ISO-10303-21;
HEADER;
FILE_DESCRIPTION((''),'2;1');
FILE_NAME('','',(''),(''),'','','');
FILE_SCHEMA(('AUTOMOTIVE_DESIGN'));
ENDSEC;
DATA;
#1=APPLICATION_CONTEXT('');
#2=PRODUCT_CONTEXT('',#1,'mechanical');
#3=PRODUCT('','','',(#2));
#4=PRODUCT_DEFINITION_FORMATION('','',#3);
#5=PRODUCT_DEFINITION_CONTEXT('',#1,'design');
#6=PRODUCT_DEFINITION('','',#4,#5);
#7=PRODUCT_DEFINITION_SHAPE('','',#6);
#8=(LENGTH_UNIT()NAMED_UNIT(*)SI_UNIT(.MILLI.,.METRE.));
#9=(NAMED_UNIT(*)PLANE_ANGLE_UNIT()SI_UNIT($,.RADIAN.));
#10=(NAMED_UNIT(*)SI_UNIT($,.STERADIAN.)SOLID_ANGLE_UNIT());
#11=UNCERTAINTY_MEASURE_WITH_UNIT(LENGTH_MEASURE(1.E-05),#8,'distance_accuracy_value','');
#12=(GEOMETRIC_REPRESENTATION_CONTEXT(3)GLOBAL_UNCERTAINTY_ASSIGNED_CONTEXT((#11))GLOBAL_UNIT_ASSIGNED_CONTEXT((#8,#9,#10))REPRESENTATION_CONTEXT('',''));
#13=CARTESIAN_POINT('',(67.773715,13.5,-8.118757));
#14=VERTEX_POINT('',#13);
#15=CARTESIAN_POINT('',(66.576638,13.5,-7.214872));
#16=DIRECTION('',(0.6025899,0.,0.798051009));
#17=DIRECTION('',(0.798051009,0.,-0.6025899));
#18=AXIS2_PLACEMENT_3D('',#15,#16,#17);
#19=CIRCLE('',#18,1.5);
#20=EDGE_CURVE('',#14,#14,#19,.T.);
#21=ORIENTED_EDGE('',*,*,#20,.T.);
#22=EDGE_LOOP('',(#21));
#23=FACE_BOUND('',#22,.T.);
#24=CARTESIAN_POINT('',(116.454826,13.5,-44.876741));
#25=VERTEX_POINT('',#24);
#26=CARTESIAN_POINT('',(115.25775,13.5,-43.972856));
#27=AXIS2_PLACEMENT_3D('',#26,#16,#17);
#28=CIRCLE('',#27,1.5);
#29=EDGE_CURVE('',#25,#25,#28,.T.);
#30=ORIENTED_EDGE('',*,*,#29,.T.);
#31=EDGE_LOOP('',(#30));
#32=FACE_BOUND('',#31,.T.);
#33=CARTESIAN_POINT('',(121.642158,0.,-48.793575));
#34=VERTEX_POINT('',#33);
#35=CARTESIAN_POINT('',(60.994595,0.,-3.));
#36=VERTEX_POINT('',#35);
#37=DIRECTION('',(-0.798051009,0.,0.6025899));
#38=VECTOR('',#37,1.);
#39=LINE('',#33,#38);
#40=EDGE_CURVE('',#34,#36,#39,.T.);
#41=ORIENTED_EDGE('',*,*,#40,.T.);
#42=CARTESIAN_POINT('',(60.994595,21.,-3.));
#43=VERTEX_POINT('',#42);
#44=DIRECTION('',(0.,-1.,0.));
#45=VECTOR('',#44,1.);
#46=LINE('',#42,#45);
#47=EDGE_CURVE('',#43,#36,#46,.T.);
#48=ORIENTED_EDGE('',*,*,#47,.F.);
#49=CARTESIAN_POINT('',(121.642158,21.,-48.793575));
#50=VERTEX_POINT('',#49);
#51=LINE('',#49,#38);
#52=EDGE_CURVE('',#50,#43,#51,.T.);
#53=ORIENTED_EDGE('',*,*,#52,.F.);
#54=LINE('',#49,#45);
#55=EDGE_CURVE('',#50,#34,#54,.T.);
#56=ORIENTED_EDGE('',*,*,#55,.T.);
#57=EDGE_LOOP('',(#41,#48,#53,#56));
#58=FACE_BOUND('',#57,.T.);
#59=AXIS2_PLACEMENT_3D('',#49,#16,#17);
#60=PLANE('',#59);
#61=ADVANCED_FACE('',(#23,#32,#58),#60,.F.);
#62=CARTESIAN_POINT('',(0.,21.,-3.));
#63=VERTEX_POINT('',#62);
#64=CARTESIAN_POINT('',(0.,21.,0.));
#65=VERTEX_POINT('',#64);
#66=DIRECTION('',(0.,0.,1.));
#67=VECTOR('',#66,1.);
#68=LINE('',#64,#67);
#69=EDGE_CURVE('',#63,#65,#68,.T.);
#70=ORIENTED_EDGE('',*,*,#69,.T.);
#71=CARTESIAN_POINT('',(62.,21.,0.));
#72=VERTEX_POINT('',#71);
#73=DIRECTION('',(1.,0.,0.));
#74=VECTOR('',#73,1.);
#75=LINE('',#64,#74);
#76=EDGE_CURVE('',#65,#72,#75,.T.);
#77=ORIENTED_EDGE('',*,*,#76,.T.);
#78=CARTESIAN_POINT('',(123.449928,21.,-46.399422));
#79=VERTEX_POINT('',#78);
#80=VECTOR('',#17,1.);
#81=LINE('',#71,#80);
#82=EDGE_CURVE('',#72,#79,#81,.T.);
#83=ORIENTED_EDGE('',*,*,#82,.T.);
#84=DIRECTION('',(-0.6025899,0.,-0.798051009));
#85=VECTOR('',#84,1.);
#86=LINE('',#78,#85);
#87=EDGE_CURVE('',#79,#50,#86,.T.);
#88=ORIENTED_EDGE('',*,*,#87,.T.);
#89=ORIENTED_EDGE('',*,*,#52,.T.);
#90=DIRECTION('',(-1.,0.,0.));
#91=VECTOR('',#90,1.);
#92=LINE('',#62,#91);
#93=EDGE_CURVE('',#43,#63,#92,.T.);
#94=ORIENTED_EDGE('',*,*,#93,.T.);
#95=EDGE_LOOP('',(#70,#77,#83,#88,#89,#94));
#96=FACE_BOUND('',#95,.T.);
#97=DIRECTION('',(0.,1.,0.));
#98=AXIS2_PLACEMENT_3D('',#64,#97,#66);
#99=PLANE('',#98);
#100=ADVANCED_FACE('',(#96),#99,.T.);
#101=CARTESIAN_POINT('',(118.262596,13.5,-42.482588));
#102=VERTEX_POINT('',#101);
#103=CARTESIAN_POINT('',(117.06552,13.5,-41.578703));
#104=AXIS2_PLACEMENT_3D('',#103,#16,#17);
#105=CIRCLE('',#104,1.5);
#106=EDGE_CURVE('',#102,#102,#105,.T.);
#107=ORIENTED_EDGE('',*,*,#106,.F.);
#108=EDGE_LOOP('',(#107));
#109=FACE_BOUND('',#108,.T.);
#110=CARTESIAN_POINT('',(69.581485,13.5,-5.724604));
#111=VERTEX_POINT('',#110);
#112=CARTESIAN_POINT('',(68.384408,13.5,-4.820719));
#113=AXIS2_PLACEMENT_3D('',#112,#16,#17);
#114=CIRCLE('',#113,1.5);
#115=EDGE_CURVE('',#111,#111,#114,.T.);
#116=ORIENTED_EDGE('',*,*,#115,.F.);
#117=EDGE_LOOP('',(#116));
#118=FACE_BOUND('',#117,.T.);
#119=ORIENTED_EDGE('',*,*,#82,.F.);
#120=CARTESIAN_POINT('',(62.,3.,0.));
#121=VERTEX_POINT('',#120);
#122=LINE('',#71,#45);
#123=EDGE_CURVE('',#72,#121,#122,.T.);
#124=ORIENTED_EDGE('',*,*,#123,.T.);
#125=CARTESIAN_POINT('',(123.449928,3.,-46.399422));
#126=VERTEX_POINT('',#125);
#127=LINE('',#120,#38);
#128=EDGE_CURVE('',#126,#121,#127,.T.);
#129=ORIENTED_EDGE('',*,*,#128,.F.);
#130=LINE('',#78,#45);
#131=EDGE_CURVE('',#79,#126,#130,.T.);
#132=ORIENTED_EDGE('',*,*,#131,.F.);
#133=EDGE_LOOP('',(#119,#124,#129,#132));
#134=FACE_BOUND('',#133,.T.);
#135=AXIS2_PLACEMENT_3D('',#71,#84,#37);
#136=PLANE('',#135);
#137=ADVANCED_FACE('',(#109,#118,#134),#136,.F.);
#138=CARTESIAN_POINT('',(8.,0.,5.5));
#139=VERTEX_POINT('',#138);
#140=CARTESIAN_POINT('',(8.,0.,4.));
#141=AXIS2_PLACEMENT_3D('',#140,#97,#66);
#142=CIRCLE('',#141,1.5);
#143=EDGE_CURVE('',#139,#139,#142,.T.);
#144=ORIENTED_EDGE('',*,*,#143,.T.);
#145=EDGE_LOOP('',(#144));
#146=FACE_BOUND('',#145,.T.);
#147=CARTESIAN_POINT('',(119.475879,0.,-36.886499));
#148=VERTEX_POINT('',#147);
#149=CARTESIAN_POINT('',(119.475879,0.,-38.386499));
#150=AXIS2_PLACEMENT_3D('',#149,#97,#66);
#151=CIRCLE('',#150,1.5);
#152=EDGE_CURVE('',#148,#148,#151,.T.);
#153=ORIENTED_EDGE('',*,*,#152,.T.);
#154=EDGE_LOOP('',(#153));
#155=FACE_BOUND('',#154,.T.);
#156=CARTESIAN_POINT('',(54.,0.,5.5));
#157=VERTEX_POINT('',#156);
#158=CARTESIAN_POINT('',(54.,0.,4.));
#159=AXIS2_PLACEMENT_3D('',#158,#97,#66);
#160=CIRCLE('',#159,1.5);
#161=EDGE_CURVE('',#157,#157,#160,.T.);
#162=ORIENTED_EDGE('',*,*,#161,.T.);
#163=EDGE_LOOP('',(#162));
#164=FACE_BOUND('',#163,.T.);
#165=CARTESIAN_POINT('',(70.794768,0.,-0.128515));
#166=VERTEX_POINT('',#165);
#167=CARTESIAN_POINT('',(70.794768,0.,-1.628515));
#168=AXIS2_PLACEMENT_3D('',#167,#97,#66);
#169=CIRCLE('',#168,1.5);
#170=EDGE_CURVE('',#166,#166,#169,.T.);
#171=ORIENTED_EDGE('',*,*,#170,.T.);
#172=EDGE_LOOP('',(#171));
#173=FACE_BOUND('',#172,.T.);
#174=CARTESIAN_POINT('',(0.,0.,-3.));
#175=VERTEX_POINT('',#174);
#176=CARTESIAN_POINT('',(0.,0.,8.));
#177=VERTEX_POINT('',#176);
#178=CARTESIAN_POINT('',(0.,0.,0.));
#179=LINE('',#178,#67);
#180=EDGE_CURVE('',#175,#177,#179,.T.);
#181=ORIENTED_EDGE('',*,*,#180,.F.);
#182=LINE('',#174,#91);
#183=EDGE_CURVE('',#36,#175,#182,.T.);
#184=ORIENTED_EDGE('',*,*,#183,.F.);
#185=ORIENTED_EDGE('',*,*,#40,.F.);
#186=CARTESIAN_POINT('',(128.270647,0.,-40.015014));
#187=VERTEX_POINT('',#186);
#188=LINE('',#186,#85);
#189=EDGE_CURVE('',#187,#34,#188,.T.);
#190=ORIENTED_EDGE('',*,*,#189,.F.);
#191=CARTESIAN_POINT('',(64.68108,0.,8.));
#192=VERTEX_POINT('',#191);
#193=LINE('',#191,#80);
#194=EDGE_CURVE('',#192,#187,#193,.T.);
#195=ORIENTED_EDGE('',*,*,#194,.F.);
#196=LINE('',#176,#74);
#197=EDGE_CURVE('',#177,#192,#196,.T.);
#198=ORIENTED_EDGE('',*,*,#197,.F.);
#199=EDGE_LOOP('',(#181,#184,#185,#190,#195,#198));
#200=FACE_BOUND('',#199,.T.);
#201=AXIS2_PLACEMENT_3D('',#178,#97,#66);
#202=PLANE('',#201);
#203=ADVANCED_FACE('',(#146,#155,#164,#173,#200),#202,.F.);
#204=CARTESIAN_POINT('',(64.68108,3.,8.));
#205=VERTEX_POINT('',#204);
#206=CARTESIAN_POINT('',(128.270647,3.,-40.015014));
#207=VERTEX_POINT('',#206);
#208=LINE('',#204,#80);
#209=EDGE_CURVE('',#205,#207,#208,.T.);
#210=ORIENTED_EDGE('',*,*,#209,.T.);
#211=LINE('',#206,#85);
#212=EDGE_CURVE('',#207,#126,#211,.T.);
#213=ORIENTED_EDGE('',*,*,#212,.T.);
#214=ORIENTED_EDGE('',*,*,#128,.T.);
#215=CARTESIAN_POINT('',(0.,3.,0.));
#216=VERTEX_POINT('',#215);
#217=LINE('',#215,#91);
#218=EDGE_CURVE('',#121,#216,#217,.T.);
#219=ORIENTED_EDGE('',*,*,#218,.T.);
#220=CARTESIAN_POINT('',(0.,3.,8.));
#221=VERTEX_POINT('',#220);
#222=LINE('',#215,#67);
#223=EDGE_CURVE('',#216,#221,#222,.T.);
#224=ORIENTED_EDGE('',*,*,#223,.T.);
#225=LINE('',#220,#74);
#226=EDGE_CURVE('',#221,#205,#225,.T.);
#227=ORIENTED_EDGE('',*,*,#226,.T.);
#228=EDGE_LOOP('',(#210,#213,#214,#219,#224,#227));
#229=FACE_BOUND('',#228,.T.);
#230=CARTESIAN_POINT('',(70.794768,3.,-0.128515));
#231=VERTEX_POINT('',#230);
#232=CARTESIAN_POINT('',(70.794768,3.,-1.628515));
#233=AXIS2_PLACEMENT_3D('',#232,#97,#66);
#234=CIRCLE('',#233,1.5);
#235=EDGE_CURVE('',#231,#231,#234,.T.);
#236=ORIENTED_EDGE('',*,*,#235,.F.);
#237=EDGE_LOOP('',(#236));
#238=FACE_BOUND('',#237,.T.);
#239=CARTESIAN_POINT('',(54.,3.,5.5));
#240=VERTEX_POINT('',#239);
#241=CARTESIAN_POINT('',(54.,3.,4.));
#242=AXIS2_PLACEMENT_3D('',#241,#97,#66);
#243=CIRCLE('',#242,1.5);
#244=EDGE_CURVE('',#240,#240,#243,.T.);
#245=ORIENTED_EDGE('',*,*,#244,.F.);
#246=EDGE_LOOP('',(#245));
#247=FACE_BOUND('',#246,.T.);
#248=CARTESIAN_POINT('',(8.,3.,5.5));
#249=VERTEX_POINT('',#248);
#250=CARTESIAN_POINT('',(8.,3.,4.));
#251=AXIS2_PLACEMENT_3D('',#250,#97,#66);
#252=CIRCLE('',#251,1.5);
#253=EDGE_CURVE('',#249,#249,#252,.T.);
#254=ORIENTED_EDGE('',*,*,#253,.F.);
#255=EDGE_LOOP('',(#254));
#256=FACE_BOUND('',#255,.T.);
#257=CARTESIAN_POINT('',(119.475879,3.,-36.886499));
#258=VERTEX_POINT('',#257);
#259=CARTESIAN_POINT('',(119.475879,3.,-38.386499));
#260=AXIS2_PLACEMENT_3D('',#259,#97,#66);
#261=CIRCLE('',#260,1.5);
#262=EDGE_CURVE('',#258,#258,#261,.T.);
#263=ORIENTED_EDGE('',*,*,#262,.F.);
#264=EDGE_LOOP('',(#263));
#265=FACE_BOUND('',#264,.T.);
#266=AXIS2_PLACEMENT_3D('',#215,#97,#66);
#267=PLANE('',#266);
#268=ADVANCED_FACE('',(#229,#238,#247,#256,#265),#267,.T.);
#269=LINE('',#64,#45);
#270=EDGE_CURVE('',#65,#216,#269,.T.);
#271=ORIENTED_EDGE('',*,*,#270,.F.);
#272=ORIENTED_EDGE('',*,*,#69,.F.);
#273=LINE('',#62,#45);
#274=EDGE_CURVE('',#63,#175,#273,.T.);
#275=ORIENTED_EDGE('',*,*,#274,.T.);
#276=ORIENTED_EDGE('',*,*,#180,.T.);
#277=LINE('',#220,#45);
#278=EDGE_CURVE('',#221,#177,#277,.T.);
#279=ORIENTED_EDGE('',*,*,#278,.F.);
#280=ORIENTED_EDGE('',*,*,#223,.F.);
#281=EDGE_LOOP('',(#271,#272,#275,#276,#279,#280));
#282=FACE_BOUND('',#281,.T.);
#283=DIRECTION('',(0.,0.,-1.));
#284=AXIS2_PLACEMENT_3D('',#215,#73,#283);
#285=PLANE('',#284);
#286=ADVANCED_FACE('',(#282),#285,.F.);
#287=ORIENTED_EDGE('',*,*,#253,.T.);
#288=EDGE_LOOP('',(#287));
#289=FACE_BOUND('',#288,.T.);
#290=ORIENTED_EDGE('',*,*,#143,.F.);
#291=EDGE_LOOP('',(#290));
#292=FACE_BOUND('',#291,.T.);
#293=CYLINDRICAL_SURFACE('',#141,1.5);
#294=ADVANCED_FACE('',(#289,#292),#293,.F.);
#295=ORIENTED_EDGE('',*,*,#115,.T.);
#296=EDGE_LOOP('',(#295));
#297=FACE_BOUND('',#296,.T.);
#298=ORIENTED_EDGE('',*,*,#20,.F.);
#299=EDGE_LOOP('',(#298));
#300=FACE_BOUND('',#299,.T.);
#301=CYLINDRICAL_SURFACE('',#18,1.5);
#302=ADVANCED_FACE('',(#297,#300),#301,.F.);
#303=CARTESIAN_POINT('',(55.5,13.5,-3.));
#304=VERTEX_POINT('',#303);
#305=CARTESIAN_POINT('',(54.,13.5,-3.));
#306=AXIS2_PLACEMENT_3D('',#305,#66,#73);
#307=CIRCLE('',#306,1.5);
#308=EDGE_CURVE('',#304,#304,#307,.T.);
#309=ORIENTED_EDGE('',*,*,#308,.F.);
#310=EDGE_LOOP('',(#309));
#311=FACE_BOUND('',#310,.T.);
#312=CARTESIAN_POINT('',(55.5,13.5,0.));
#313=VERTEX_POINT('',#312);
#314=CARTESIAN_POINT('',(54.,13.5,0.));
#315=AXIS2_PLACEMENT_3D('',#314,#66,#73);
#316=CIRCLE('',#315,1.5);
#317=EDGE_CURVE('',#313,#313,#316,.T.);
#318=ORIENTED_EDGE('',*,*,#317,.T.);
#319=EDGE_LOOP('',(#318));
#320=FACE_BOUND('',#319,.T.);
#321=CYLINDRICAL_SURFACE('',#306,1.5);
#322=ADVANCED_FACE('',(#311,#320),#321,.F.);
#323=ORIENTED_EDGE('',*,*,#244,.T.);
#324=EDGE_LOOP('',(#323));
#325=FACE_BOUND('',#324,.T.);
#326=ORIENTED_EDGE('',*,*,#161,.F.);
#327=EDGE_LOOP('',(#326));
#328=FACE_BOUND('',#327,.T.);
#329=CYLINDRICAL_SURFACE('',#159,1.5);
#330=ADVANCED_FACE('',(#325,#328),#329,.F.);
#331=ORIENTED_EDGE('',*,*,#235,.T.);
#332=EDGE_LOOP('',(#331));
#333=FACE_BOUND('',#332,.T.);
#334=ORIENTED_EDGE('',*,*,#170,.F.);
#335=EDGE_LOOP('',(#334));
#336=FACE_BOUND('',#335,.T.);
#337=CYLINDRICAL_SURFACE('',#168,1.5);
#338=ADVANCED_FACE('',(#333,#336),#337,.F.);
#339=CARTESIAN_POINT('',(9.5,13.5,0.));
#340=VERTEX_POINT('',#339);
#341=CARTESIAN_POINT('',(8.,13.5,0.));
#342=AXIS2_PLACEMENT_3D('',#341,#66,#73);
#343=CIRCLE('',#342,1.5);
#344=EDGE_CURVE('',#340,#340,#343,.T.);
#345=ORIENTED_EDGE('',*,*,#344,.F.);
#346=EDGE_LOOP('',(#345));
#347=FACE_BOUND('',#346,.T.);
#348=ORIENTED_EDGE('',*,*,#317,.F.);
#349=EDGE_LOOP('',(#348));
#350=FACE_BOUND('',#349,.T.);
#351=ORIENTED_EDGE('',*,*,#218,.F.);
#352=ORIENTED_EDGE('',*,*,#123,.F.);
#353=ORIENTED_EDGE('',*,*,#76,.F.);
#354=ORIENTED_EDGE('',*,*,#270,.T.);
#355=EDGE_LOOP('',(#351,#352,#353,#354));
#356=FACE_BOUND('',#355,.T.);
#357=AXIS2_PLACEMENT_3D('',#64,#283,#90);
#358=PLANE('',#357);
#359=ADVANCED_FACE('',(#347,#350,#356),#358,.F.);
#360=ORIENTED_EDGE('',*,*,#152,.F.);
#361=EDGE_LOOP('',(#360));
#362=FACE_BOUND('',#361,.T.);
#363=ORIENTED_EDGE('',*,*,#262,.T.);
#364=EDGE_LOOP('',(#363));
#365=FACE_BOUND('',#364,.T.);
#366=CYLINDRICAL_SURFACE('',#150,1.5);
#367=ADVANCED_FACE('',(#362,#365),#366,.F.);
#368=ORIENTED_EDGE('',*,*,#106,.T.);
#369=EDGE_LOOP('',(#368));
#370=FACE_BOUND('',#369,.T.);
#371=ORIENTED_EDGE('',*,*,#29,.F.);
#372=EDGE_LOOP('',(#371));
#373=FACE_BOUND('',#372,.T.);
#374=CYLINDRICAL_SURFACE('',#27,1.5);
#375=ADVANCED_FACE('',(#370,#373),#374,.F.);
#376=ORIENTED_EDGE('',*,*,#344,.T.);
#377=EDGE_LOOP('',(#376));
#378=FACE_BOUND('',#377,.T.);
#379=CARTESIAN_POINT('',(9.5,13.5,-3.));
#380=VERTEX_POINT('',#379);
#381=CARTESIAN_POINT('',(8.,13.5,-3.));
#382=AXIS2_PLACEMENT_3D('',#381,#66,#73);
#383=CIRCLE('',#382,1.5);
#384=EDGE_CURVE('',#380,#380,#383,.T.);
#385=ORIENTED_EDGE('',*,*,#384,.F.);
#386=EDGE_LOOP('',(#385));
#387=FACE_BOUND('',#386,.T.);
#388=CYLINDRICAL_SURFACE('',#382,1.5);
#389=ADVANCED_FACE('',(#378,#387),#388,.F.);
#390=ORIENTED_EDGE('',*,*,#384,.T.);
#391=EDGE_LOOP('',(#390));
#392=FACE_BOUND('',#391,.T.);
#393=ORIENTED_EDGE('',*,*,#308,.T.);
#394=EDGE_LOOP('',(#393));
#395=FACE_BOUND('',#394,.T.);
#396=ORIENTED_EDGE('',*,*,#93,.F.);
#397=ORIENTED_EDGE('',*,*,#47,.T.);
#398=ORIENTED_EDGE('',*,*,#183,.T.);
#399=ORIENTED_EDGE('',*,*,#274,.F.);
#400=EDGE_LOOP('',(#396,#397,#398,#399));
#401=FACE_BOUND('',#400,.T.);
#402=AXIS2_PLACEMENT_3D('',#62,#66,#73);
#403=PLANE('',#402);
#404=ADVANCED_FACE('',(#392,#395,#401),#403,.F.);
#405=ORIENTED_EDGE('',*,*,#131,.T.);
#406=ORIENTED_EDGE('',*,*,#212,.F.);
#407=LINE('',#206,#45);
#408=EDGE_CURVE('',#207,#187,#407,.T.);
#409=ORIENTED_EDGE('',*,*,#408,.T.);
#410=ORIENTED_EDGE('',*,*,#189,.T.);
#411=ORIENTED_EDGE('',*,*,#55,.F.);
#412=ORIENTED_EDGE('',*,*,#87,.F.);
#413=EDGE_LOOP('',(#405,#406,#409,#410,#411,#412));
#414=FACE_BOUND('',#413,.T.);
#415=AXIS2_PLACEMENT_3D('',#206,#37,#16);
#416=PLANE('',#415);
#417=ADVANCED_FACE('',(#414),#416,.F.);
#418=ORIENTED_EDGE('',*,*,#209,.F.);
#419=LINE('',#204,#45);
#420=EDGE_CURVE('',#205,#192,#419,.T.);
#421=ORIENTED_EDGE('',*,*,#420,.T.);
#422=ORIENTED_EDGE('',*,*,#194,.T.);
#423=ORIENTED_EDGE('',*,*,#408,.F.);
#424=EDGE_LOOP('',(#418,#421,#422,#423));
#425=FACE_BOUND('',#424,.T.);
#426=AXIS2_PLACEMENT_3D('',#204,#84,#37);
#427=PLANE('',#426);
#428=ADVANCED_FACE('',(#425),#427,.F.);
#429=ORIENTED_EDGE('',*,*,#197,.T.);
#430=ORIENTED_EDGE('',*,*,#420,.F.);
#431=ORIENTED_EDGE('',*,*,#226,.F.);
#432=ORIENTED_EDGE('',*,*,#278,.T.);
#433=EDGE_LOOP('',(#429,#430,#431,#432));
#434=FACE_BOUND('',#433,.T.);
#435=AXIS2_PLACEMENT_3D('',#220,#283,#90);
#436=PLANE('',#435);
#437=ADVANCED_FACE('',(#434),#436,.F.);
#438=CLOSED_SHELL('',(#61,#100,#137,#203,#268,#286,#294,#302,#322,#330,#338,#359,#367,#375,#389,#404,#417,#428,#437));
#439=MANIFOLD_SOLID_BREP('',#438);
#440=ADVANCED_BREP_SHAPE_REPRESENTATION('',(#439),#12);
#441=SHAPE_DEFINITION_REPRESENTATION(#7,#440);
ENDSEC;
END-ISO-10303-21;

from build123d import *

# Parameters (mm, degrees)
SALIENTE_EXTRUIR1_DEPTH      = 3
CROQUIS2_R                   = 1.5
CORTAR_EXTRUIR1_DEPTH        = 3
CROQUIS3_R                   = 1.5
CORTAR_EXTRUIR2_DEPTH        = 3
SALIENTE_EXTRUIR2_DEPTH      = 18
SALIENTE_EXTRUIR2_DEPTH_BACK = 3
CROQUIS5_R                   = 1.5
CORTAR_EXTRUIR3_DEPTH        = 3
CROQUIS6_R                   = 1.5
CORTAR_EXTRUIR4_DEPTH        = 3


with BuildPart() as part:
    # Croquis1 → Saliente-Extruir1 (new body)
    with BuildSketch(Plane(origin=(0, 0, 0), x_dir=(1, 0, 0), z_dir=(0, 1, 0))):
        Polygon((0, 0), (62, 0), (123.449927666, 46.399422301), (128.270646866, 40.015014231), (64.681080335, -8), (0, -8), align=None)
    extrude(amount=SALIENTE_EXTRUIR1_DEPTH)

    # Croquis2 → Cortar-Extruir1 (cut)
    with BuildSketch(Plane(origin=(0, 3, 0), x_dir=(1, 0, 0), z_dir=(0, 1, 0))):
        with Locations(Location((8, -4, 0), (0, 0, 270))):
            Circle(CROQUIS2_R)
        with Locations(Location((54, -4, 0), (0, 0, 270))):
            Circle(CROQUIS2_R)
    extrude(amount=-CORTAR_EXTRUIR1_DEPTH, mode=Mode.SUBTRACT)

    # Croquis3 → Cortar-Extruir2 (cut)
    with BuildSketch(Plane(origin=(0, 3, 0), x_dir=(1, 0, 0), z_dir=(0, 1, 0))):
        with Locations(Location((70.794767669, 1.628515165, 0), (0, 0, 270))):
            Circle(CROQUIS3_R)
        with Locations(Location((119.475879197, 38.386499066, 0), (0, 0, 270))):
            Circle(CROQUIS3_R)
    extrude(amount=-CORTAR_EXTRUIR2_DEPTH, mode=Mode.SUBTRACT)

    # Croquis4 → Saliente-Extruir2 (add, two sides: drawn at the far end of the back side and taken through both)
    with BuildSketch(Plane(origin=(0, 3, 0), x_dir=(1, 0, 0), z_dir=(0, 1, 0)).offset(-SALIENTE_EXTRUIR2_DEPTH_BACK)):
        Polygon((0, 0), (0, 3), (60.994594874, 3), (121.642157966, 48.793575327), (123.449927666, 46.399422301), (62, 0), align=None)
    extrude(amount=SALIENTE_EXTRUIR2_DEPTH + SALIENTE_EXTRUIR2_DEPTH_BACK)

    # Croquis5 → Cortar-Extruir3 (cut)
    with BuildSketch(Plane.XY):
        with Locations((8, 13.5)):
            Circle(CROQUIS5_R)
        with Locations((54, 13.5)):
            Circle(CROQUIS5_R)
    extrude(amount=-CORTAR_EXTRUIR3_DEPTH, mode=Mode.SUBTRACT)

    # Croquis6 → Cortar-Extruir4 (cut)
    with BuildSketch(Plane(origin=(22.513104431, 0, 29.815643605), x_dir=(0.798051008651339, 0, -0.6025899000071112), z_dir=(0.6025899000071112, 0, 0.798051008651339))):
        with Locations((57.479162536, 13.5)):
            Circle(CROQUIS6_R)
        with Locations((118.479162536, 13.5)):
            Circle(CROQUIS6_R)
    extrude(amount=-CORTAR_EXTRUIR4_DEPTH, mode=Mode.SUBTRACT)


solid = part.part
